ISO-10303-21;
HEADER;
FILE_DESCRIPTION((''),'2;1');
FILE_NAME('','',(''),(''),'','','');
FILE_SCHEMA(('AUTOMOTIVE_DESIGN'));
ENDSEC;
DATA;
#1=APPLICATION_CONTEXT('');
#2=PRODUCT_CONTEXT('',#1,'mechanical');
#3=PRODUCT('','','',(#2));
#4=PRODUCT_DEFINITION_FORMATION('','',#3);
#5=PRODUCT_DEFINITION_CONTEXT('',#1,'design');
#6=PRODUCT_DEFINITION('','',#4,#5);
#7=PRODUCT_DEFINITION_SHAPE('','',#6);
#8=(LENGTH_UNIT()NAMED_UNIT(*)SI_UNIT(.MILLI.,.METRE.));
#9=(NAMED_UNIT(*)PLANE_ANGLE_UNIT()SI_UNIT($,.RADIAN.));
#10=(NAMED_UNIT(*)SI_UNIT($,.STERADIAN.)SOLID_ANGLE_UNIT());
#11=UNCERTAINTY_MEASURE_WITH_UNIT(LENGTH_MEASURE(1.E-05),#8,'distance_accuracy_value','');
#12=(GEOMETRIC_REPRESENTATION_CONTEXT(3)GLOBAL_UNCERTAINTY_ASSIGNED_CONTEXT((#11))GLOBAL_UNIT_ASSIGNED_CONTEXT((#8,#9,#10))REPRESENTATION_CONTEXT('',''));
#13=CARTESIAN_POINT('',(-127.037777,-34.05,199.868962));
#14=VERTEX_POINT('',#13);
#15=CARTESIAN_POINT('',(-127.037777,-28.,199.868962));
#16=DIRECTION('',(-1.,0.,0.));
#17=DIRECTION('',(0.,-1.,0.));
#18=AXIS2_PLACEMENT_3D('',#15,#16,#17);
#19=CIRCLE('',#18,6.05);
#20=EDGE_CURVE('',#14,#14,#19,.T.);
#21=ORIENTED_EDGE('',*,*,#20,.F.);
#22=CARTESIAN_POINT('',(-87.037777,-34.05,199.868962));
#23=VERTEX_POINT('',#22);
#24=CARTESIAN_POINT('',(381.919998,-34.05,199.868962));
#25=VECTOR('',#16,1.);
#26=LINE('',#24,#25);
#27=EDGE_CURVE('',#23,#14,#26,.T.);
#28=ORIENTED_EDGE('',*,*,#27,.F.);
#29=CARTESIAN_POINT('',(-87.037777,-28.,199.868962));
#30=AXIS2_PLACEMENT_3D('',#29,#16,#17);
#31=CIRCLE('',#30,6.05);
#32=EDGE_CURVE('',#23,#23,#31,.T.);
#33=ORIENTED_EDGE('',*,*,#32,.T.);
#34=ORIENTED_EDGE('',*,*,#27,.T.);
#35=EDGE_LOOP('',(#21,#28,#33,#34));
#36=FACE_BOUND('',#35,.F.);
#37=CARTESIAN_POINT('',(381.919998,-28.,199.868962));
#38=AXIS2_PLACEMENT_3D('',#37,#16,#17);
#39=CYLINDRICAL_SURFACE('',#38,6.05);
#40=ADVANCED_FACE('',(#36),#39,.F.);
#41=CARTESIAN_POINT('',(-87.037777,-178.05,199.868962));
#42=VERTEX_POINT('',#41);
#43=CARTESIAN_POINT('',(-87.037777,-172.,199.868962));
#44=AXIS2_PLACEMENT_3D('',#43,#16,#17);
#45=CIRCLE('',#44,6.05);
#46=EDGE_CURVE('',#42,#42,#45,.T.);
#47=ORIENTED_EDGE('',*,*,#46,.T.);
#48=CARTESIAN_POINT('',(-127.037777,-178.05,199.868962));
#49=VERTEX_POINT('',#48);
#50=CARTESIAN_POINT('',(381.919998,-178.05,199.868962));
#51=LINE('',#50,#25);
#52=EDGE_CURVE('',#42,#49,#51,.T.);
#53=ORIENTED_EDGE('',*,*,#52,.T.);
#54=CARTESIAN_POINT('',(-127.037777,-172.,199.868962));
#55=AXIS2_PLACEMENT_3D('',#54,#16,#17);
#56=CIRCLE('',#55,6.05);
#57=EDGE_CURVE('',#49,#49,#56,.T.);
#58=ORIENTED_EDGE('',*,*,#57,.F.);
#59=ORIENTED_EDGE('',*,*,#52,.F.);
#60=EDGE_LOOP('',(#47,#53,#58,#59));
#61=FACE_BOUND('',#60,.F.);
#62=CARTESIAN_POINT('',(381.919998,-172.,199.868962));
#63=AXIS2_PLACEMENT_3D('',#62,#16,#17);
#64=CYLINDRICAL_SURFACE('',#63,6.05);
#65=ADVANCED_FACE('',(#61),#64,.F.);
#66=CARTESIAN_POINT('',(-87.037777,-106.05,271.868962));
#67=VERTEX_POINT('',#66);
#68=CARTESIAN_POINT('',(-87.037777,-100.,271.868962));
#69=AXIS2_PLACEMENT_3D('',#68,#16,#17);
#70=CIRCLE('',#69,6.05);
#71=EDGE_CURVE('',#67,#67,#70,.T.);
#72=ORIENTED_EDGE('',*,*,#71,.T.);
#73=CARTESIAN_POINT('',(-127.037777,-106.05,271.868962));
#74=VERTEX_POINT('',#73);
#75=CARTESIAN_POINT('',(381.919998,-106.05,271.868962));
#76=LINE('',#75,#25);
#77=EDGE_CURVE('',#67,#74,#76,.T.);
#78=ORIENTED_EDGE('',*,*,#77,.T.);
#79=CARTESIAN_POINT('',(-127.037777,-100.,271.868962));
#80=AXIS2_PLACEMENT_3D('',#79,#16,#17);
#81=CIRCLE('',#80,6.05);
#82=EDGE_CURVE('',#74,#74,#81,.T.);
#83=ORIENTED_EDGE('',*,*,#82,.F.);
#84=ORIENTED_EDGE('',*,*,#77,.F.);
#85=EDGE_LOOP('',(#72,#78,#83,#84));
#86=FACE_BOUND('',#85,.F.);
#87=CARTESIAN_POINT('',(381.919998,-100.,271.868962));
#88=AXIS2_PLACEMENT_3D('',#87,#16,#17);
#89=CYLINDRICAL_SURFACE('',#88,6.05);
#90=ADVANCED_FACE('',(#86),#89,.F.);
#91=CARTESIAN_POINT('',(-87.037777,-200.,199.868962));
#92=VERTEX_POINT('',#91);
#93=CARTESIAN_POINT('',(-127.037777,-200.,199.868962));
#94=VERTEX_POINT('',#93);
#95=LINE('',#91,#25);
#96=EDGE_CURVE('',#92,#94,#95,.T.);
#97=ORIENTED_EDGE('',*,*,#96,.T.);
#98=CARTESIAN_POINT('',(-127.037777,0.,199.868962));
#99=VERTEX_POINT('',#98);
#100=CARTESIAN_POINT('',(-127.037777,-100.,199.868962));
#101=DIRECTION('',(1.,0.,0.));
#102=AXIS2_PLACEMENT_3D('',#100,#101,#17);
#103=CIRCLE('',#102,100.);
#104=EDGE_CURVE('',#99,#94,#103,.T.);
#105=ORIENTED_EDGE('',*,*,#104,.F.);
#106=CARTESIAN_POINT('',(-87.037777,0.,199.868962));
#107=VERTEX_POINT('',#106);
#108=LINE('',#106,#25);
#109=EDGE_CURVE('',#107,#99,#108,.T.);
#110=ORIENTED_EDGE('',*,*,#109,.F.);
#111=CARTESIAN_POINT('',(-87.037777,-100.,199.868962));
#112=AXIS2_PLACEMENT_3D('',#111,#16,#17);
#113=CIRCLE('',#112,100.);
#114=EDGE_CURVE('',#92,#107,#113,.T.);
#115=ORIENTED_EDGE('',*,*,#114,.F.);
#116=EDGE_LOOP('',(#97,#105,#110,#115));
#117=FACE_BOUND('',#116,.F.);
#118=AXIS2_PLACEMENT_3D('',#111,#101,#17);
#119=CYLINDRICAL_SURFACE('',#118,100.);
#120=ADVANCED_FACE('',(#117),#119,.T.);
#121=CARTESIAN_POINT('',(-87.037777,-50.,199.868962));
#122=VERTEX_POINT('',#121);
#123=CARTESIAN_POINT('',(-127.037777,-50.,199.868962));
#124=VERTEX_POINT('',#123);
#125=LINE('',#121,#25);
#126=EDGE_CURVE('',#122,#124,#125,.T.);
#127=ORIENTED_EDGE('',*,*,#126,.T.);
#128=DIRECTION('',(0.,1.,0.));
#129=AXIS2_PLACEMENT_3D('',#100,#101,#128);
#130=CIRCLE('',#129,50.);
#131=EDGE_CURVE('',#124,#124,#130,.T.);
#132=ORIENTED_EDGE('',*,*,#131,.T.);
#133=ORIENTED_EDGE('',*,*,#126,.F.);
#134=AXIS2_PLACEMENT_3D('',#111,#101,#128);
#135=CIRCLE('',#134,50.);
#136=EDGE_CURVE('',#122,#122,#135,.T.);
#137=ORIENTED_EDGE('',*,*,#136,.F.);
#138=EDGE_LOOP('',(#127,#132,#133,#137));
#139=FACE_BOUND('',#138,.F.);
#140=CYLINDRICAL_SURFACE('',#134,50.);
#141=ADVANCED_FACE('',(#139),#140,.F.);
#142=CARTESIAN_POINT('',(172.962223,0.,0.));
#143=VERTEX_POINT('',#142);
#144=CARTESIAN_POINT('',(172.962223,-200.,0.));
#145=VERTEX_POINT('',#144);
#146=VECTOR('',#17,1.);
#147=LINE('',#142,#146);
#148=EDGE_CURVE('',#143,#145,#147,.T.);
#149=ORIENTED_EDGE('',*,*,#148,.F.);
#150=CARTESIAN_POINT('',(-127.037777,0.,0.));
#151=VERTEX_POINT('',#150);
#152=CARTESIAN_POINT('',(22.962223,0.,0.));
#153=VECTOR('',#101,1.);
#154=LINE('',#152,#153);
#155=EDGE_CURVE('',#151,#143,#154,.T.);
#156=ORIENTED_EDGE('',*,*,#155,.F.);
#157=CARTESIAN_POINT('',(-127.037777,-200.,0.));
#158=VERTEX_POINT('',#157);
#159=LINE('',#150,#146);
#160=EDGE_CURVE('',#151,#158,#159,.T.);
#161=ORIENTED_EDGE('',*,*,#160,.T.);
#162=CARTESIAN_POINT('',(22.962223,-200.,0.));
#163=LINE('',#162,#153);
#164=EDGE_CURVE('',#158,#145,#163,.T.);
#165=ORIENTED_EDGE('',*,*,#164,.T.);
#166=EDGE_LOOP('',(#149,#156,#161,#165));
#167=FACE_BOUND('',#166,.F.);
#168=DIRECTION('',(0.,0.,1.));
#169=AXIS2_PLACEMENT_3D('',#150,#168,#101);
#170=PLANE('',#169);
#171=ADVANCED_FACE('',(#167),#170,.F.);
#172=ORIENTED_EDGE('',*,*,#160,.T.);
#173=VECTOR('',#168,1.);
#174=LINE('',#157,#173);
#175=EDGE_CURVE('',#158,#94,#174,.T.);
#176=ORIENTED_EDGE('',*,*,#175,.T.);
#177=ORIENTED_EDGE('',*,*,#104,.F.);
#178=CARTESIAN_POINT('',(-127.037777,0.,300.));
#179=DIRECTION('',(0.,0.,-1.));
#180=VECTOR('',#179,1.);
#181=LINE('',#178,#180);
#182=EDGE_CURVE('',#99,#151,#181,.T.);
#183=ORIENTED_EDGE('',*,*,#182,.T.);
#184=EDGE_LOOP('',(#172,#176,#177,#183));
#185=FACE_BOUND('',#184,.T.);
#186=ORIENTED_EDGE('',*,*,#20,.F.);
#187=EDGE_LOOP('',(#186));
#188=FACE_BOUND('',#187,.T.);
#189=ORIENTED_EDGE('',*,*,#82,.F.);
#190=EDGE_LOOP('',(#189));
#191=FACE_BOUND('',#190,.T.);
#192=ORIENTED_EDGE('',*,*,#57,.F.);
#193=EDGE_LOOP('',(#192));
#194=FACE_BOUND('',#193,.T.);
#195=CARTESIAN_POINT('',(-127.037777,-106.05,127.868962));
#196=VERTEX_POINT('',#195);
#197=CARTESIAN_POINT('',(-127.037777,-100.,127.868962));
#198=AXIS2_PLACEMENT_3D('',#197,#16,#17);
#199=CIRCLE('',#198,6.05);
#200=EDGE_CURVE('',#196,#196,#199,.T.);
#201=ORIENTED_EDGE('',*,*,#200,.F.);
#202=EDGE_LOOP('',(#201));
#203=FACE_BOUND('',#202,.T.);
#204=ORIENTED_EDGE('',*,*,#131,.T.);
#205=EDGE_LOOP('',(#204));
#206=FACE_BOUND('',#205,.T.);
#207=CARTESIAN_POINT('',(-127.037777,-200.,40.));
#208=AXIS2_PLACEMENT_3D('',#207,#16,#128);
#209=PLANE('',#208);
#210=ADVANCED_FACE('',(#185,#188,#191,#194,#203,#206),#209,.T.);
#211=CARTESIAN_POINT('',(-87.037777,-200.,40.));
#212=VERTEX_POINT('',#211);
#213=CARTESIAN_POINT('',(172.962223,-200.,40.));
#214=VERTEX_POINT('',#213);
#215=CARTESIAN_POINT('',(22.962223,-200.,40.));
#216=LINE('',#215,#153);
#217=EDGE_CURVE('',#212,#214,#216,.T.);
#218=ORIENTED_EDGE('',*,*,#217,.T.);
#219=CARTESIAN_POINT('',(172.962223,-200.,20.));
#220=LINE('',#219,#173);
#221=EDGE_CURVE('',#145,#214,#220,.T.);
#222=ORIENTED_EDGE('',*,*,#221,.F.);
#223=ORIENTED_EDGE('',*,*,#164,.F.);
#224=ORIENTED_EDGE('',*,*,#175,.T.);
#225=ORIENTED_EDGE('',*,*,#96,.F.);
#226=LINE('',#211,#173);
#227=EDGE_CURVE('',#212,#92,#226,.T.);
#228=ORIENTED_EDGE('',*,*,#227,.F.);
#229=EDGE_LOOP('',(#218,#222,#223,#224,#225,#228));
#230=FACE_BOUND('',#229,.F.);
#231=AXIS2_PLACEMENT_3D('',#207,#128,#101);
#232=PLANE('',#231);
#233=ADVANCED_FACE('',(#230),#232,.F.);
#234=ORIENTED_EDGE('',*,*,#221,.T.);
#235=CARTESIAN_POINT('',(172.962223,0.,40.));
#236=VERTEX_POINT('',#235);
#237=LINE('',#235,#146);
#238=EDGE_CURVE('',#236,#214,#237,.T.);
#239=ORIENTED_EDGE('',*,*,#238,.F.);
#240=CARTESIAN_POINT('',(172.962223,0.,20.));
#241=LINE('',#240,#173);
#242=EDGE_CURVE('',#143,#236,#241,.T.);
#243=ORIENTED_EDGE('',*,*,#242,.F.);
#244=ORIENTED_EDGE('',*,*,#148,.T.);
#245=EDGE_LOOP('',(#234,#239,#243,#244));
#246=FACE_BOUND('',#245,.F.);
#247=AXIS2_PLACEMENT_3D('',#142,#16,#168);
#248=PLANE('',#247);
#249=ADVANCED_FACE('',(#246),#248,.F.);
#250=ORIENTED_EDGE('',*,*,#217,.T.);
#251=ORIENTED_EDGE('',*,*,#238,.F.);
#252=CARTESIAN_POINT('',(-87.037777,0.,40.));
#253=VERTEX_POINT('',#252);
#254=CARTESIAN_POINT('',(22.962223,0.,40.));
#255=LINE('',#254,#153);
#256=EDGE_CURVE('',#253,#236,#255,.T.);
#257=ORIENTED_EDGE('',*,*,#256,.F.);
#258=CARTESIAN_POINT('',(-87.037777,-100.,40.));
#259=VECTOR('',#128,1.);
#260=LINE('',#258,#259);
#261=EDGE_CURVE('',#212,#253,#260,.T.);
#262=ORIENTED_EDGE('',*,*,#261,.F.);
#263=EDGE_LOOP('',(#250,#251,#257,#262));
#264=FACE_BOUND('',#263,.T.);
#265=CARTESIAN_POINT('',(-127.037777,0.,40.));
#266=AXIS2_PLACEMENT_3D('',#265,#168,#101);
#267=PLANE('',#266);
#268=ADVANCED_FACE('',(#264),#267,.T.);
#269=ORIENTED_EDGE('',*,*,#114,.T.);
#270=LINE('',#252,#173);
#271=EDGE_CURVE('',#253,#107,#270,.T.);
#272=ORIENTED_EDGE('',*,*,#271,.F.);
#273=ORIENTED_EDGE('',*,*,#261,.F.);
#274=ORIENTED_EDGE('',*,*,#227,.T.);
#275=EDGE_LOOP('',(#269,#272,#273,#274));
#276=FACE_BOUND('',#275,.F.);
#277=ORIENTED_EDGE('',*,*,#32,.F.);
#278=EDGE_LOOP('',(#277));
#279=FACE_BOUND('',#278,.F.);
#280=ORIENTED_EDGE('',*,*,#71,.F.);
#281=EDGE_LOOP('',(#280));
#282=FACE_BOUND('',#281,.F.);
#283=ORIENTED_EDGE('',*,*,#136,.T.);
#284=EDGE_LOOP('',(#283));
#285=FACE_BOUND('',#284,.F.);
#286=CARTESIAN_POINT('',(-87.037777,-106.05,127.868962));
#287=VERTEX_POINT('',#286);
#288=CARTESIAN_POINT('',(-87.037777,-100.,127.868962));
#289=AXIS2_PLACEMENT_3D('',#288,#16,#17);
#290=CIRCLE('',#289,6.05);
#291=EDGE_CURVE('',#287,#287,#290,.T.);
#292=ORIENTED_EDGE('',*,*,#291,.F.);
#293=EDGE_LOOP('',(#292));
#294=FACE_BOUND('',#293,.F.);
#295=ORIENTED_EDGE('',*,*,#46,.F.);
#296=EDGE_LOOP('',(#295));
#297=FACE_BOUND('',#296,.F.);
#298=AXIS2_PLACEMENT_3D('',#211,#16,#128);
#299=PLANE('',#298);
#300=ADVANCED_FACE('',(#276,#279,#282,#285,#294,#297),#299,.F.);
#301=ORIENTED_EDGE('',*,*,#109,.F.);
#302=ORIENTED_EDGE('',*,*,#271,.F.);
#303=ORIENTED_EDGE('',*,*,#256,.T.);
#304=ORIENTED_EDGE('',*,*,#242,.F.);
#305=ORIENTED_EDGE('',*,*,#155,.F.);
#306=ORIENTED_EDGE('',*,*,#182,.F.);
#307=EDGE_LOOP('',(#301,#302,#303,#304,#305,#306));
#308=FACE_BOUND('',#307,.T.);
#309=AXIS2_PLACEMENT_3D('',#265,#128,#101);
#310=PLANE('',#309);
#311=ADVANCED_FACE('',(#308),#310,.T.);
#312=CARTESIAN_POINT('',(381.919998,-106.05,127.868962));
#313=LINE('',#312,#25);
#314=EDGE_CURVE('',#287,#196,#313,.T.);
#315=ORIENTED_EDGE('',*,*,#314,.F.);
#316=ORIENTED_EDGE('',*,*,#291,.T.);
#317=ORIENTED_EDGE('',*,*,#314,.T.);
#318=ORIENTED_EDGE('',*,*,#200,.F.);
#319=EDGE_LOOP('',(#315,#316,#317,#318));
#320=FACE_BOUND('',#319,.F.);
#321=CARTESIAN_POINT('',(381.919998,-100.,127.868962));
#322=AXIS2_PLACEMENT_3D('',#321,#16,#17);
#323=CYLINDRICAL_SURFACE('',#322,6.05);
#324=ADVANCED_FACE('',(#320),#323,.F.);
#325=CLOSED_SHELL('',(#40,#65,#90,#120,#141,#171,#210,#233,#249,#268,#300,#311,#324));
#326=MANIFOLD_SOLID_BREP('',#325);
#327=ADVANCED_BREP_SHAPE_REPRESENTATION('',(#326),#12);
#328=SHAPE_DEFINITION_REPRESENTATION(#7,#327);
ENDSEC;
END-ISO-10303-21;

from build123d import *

# Parameters (mm, degrees)
F0_W     = 300
F0_H     = 40
F1_DEPTH = 200
F2_W     = 40
F2_H     = 200
F3_DEPTH = 260
F5_DEPTH = 40.001
F6_R     = 50
F7_DEPTH = 40.001
F8_D     = 12.1


with BuildPart() as f1:
    # F0 (on Front) → F1 (new body)
    with BuildSketch(Plane.XZ):
        with Locations((22.9622232423, 20)):
            Rectangle(F0_W, F0_H)
    extrude(amount=F1_DEPTH)

    # F2 (on face) → F3 (join)
    with BuildSketch(Plane.XY.offset(40)):
        with Locations((-107.0377767577, -100)):
            Rectangle(F2_W, F2_H)
    extrude(amount=F3_DEPTH)

    # F4 (on face) → F5 (cut, through all)
    with BuildSketch(Plane.YZ.offset(-87.0377767577)):
        with BuildLine():
            ThreePointArc((-200, 199.8689621687), (-100, 299.8689621687), (0, 199.8689621687))
            Line((0, 199.8689621687), (0, 300))
            Line((0, 300), (-200, 300))
            Line((-200, 300), (-200, 199.8689621687))
        make_face()
    extrude(amount=-F5_DEPTH, mode=Mode.SUBTRACT)

    # F6 (on face) → F7 (cut, through all)
    with BuildSketch(Plane.YZ.offset(-87.0377767577)):
        with Locations((-100, 199.8689621687)):
            Circle(F6_R)
    extrude(amount=-F7_DEPTH, mode=Mode.SUBTRACT)

    # F8 (through all)
    with Locations(Plane.YZ.offset(-87.0377767577)):
        with Locations((-100, 271.8689621687), (-172, 199.8689621687), (-100, 127.8689621687), (-28, 199.8689621687)):
            Hole(F8_D / 2)


solid = f1.part
